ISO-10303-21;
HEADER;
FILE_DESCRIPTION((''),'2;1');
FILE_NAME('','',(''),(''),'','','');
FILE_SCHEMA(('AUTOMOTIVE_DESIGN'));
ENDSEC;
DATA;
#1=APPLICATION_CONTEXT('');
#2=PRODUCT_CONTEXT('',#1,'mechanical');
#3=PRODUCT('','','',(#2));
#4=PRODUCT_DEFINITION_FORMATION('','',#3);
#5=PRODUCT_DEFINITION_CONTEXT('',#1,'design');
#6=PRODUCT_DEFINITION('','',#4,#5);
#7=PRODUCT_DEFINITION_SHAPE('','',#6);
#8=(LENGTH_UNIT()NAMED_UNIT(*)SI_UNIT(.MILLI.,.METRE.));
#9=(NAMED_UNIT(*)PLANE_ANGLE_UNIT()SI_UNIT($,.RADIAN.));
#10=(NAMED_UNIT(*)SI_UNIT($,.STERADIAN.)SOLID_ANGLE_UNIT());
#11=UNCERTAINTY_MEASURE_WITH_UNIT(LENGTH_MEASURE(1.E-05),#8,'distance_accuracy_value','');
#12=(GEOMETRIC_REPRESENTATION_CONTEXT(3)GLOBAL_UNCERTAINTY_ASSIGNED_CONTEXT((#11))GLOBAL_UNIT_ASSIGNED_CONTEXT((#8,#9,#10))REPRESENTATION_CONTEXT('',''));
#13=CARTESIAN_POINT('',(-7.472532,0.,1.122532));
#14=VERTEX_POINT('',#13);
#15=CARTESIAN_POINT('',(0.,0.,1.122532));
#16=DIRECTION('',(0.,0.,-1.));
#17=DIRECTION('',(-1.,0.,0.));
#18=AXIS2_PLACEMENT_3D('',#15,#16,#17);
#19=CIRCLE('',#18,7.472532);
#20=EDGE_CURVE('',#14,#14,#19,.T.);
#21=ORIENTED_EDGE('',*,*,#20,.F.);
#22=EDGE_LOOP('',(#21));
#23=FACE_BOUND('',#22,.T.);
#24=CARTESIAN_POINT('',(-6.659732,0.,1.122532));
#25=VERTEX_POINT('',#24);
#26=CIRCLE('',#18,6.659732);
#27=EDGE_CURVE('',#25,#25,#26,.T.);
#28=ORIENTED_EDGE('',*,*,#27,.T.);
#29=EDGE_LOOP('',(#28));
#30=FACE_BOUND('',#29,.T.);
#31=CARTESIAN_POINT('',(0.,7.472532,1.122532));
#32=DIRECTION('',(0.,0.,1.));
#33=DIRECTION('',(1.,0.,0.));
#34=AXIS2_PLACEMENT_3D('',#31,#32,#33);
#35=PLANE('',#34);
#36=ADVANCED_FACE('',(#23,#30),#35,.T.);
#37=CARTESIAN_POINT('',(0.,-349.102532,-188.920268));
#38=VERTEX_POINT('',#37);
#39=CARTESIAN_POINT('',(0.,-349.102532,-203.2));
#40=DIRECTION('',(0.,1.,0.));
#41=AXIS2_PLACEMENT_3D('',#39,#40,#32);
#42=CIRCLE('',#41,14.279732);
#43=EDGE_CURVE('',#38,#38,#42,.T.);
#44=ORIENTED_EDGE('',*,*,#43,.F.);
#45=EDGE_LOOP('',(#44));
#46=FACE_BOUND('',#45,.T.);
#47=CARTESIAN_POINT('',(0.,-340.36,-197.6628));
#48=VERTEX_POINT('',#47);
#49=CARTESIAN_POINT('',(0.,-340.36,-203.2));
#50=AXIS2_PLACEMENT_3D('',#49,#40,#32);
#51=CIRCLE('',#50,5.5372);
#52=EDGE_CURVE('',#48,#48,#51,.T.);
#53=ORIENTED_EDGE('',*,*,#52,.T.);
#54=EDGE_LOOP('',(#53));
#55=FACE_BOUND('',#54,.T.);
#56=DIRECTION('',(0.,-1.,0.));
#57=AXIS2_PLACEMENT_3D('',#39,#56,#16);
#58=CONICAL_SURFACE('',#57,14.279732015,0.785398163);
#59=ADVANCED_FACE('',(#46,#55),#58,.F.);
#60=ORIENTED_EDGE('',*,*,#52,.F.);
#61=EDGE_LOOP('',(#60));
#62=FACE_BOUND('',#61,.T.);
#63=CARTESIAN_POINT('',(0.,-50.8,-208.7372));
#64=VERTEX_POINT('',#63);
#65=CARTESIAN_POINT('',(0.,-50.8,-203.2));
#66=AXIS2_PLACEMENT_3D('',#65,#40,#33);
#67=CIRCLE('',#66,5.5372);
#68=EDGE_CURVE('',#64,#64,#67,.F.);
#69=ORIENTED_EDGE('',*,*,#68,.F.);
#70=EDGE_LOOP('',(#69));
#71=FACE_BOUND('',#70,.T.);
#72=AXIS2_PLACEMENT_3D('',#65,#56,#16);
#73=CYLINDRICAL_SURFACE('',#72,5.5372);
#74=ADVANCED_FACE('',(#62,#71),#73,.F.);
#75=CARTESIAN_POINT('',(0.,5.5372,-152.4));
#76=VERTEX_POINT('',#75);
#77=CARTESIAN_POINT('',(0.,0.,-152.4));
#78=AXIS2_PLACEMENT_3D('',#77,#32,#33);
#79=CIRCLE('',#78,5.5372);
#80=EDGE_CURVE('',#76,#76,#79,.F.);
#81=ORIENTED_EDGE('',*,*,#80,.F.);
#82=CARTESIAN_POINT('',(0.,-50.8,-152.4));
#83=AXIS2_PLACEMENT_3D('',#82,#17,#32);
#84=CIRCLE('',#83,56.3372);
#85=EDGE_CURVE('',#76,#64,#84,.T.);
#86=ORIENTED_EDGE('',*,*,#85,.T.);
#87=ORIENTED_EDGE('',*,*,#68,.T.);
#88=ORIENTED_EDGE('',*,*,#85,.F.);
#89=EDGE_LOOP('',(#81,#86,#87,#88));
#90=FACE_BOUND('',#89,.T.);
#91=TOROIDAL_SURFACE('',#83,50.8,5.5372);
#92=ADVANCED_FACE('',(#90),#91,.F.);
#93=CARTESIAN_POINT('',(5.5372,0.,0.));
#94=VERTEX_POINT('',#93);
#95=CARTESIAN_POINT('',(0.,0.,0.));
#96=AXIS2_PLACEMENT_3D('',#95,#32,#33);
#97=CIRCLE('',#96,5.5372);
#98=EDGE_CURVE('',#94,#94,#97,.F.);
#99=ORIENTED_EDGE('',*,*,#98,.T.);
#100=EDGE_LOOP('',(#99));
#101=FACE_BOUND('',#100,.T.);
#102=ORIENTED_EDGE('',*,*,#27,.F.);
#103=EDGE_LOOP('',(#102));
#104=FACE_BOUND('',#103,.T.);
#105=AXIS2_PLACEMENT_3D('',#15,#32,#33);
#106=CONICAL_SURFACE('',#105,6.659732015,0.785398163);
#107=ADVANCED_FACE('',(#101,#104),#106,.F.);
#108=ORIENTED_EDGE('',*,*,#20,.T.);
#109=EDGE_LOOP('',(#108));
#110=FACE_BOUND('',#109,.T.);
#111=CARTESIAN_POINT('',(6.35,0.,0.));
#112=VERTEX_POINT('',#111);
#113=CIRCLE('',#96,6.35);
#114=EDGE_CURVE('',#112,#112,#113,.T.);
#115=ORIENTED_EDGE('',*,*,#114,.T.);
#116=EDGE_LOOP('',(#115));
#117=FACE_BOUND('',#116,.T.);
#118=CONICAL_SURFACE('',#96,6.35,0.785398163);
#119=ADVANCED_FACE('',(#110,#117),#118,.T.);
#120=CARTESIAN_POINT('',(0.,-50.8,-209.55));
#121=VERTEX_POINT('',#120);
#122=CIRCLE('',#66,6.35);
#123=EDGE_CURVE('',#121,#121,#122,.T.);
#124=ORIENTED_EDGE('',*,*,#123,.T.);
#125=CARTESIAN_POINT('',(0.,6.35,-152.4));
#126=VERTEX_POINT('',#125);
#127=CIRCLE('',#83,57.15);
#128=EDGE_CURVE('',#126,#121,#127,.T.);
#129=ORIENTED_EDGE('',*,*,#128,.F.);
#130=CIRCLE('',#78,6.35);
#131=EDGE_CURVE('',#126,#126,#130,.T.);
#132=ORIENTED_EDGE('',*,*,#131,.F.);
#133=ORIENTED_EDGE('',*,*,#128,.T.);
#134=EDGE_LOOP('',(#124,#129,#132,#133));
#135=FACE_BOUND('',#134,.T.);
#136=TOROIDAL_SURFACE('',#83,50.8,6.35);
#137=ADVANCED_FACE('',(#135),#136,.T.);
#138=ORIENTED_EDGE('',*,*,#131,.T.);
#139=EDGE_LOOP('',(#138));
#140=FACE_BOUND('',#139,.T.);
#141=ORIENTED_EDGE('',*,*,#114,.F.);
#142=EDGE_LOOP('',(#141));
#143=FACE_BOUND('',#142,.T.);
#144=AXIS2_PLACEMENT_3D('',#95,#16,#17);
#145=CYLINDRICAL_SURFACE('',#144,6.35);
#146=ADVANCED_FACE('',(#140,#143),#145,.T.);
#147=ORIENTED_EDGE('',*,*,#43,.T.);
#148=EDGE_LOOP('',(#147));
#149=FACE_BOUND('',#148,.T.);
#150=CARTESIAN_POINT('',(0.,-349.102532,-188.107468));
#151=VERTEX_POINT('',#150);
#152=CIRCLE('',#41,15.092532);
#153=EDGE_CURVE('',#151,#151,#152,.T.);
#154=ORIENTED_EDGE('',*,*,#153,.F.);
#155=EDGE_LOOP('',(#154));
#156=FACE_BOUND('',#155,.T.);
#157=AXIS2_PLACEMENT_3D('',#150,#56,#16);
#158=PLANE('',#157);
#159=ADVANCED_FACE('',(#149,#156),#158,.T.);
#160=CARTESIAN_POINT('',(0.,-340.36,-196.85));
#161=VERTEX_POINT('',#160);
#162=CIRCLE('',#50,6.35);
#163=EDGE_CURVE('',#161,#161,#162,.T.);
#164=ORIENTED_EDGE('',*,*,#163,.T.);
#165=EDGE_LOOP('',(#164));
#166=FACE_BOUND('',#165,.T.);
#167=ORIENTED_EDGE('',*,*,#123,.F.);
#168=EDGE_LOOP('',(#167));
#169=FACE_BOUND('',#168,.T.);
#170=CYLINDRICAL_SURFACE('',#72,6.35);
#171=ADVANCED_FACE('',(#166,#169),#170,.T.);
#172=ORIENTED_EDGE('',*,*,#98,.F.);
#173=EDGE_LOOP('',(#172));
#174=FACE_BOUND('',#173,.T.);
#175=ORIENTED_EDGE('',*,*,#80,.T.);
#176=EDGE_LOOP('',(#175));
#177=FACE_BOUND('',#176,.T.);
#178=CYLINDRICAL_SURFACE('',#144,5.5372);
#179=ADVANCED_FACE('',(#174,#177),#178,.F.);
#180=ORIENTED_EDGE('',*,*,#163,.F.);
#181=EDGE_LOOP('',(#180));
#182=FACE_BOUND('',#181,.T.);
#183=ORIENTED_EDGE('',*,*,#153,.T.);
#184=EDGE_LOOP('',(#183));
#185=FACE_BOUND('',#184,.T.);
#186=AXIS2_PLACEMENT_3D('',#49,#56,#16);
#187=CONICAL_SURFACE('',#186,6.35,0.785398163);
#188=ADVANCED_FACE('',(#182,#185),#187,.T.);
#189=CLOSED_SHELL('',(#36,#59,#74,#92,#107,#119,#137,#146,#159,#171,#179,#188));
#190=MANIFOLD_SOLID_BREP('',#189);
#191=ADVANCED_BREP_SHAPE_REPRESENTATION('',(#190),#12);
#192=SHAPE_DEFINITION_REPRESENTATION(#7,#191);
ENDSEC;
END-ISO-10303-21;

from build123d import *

# Parameters (mm, degrees)
SKETCH1_R   = 6.35
SKETCH1_R_2 = 5.5372


with BuildPart() as part:
    # Sweep1: sweep along a path in Sketch2
    with BuildLine(Plane(origin=(0, 0, 0), x_dir=(0, 0, -1), z_dir=(1, 0, 0))) as sweep1_path:
        Line((0, 0), (152.4, 0))
        ThreePointArc((152.4, 0), (188.321024484, -14.878975516), (203.2, -50.8))
        Line((203.2, -50.8), (203.2, -340.36))
    # Sketch1 → Sweep1 (sweep)
    with BuildSketch(Plane.XY):
        Circle(SKETCH1_R)
        Circle(SKETCH1_R_2, mode=Mode.SUBTRACT)
    sweep(path=sweep1_path.line)

    # Sketch3 → Revolve1 (revolve)
    with BuildSketch(Plane(origin=(0, 0, 0), x_dir=(0, 0, -1), z_dir=(1, 0, 0))):
        Polygon((0, 5.5372), (-1.122532015, 6.659732015), (-1.122532015, 7.472532015), (0, 6.35), align=None)
    revolve(axis=Axis((0, 0, -10.129320082), (0, 0, 1)))

    # Sketch4 → Revolve2 (revolve)
    with BuildSketch(Plane(origin=(0, 0, 0), x_dir=(0, 0, -1), z_dir=(1, 0, 0)), mode=Mode.PRIVATE) as revolve2_sk:
        Polygon((196.85, -340.36), (188.107467985, -349.102532015), (188.920267985, -349.102532015), (197.6628, -340.36), align=None)
    revolve(revolve2_sk.sketch.rotate(Axis((0, -309.261339279, -203.2), (0, -1, 0)), 180), axis=Axis((0, -309.261339279, -203.2), (0, -1, 0)))


solid = part.part
